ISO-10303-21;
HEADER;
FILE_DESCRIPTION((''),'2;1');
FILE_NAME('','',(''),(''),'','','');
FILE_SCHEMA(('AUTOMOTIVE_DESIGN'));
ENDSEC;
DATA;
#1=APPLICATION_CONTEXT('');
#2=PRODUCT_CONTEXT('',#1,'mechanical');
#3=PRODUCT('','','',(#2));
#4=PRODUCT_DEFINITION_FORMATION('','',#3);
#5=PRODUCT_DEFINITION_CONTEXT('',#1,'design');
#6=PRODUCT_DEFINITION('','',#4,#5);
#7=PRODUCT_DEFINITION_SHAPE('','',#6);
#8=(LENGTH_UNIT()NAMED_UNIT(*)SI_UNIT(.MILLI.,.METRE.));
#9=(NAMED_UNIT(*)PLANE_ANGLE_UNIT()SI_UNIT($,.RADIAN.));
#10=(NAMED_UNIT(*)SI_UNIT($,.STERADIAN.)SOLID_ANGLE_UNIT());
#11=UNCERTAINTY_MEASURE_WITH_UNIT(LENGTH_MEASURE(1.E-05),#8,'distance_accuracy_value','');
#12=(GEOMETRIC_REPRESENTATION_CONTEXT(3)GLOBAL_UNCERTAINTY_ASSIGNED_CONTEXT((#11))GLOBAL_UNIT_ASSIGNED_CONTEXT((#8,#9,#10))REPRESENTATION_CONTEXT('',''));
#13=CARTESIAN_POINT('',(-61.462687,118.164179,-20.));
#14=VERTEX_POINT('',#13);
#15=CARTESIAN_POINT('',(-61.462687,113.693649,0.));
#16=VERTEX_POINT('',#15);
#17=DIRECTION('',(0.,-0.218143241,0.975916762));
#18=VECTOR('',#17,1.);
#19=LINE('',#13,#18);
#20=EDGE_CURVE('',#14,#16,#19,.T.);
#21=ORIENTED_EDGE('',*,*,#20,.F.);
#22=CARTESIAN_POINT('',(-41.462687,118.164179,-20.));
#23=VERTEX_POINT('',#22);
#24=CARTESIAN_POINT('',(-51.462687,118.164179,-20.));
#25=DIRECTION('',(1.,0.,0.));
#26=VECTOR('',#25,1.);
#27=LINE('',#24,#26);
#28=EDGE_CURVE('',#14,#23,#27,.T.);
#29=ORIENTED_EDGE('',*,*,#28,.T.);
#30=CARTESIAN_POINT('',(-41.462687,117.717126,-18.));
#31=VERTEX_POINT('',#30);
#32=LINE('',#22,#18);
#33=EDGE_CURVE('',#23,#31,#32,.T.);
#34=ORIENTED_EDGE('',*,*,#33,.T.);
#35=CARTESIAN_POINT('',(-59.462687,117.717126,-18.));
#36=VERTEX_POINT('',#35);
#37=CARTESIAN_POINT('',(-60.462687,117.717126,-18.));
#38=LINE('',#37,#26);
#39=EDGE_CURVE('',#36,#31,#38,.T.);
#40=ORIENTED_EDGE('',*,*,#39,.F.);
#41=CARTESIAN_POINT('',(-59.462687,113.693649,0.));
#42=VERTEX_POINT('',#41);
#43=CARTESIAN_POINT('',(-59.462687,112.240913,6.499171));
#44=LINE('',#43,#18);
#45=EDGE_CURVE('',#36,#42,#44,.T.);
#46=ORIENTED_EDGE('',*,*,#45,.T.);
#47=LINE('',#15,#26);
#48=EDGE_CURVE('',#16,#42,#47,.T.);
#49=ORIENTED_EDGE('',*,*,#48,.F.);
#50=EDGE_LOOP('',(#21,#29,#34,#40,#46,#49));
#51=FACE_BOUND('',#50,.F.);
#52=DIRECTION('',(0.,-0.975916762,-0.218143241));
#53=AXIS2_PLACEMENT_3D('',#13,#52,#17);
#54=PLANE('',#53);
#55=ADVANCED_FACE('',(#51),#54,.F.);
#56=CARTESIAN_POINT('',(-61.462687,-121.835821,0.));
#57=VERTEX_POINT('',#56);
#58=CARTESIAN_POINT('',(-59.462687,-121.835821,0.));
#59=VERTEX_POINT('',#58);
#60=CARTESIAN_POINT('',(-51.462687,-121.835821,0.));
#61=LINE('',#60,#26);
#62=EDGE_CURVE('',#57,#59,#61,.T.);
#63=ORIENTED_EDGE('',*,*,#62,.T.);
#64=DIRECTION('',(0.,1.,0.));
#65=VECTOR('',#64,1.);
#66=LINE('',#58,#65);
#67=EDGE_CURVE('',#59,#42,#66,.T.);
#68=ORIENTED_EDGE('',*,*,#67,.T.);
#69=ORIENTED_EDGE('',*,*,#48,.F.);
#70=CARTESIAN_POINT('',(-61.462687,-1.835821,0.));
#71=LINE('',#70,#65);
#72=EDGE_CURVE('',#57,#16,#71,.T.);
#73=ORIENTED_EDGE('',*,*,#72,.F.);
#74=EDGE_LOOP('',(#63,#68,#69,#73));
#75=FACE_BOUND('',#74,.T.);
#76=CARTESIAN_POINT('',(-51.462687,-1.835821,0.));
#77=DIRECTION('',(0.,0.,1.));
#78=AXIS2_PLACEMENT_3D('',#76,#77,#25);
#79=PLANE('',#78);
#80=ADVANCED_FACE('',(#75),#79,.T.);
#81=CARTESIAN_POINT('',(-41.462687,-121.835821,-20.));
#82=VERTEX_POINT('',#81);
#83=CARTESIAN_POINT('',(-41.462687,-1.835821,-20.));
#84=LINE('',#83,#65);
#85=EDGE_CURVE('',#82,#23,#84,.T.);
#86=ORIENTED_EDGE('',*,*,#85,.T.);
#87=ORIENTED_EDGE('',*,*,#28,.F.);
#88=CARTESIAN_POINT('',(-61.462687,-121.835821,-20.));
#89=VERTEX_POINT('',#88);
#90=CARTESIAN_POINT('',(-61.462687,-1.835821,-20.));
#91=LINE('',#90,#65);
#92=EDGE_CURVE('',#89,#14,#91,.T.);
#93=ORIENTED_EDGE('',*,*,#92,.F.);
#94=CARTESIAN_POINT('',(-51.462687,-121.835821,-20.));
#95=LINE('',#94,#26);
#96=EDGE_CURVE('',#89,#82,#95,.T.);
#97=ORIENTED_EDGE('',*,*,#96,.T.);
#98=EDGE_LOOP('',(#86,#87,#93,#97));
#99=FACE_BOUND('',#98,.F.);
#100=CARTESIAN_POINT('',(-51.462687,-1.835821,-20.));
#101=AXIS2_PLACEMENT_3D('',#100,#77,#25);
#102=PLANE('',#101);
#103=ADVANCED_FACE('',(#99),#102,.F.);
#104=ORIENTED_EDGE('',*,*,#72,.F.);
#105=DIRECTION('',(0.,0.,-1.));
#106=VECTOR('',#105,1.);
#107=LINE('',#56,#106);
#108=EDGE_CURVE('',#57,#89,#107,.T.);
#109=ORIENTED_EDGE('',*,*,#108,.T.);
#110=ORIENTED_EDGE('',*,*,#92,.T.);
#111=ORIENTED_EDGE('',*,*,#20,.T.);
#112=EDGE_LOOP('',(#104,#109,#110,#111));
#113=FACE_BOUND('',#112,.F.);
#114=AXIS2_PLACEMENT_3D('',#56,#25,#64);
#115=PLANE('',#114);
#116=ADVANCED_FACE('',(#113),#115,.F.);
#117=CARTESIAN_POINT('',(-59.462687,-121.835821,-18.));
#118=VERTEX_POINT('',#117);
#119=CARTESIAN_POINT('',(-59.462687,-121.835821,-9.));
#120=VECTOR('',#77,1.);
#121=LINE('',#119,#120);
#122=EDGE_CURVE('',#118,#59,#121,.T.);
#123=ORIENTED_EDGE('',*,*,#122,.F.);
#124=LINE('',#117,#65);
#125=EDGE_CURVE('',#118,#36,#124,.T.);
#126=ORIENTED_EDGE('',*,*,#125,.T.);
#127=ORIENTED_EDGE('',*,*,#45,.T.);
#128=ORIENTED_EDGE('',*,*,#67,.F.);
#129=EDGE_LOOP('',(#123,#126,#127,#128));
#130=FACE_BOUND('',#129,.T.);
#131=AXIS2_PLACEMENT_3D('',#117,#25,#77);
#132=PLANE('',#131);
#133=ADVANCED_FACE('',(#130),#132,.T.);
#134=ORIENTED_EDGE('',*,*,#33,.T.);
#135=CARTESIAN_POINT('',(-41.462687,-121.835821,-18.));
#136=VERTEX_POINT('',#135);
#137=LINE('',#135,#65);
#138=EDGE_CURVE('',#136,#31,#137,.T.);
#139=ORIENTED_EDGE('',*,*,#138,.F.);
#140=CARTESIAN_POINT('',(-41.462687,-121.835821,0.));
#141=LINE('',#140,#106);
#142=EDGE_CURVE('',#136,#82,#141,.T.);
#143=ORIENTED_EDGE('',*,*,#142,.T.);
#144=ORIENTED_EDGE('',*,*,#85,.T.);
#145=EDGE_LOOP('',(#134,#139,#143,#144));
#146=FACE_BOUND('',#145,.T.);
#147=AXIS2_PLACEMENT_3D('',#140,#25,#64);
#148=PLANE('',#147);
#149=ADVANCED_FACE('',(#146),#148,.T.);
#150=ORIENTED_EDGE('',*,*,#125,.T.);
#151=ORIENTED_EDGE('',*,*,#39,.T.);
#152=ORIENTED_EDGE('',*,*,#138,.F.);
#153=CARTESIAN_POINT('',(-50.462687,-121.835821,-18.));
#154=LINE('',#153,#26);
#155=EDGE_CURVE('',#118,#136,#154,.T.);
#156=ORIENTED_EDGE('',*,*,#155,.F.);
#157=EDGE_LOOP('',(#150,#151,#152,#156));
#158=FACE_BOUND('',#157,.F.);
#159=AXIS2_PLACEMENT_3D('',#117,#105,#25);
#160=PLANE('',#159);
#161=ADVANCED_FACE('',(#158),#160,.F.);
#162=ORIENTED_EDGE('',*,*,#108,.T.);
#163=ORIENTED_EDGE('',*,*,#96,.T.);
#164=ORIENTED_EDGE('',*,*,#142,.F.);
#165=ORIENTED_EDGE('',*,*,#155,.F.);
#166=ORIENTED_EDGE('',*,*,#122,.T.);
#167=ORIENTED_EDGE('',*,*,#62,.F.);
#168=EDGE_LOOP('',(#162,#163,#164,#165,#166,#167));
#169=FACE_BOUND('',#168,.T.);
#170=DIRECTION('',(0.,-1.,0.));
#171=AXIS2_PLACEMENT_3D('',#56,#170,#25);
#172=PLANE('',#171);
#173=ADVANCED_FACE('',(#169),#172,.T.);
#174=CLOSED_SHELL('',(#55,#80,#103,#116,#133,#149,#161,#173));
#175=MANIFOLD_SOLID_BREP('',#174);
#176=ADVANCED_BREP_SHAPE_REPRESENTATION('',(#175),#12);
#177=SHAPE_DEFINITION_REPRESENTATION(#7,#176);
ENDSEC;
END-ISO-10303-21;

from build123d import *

# Parameters (mm, degrees)
SKETCH1_W           = 20
SKETCH1_H           = 240
BOSS_EXTRUDE1_DEPTH = 20
CUT_EXTRUDE1_DEPTH  = 20
SKETCH3_W           = 18
SKETCH3_H           = 18
CUT_EXTRUDE2_DEPTH  = 290


with BuildPart() as part:
    # Sketch1 → Boss-Extrude1 (new body)
    with BuildSketch(Plane.XY):
        with Locations((-51.462686567, -1.835820896)):
            Rectangle(SKETCH1_W, SKETCH1_H)
    extrude(amount=-BOSS_EXTRUDE1_DEPTH)

    # Sketch2 → Cut-Extrude1 (cut)
    with BuildSketch(Plane.ZY.offset(61.462686567)):
        Polygon((-20, 118.164179104), (0, 113.693649447), (0, 118.164179104), align=None)
    extrude(amount=-CUT_EXTRUDE1_DEPTH, mode=Mode.SUBTRACT)

    # Sketch3 → Cut-Extrude2 (cut)
    with BuildSketch(Plane.XZ.offset(121.835820896)):
        with Locations((-50.462686567, -9)):
            Rectangle(SKETCH3_W, SKETCH3_H)
    extrude(amount=-CUT_EXTRUDE2_DEPTH, mode=Mode.SUBTRACT)


solid = part.part
